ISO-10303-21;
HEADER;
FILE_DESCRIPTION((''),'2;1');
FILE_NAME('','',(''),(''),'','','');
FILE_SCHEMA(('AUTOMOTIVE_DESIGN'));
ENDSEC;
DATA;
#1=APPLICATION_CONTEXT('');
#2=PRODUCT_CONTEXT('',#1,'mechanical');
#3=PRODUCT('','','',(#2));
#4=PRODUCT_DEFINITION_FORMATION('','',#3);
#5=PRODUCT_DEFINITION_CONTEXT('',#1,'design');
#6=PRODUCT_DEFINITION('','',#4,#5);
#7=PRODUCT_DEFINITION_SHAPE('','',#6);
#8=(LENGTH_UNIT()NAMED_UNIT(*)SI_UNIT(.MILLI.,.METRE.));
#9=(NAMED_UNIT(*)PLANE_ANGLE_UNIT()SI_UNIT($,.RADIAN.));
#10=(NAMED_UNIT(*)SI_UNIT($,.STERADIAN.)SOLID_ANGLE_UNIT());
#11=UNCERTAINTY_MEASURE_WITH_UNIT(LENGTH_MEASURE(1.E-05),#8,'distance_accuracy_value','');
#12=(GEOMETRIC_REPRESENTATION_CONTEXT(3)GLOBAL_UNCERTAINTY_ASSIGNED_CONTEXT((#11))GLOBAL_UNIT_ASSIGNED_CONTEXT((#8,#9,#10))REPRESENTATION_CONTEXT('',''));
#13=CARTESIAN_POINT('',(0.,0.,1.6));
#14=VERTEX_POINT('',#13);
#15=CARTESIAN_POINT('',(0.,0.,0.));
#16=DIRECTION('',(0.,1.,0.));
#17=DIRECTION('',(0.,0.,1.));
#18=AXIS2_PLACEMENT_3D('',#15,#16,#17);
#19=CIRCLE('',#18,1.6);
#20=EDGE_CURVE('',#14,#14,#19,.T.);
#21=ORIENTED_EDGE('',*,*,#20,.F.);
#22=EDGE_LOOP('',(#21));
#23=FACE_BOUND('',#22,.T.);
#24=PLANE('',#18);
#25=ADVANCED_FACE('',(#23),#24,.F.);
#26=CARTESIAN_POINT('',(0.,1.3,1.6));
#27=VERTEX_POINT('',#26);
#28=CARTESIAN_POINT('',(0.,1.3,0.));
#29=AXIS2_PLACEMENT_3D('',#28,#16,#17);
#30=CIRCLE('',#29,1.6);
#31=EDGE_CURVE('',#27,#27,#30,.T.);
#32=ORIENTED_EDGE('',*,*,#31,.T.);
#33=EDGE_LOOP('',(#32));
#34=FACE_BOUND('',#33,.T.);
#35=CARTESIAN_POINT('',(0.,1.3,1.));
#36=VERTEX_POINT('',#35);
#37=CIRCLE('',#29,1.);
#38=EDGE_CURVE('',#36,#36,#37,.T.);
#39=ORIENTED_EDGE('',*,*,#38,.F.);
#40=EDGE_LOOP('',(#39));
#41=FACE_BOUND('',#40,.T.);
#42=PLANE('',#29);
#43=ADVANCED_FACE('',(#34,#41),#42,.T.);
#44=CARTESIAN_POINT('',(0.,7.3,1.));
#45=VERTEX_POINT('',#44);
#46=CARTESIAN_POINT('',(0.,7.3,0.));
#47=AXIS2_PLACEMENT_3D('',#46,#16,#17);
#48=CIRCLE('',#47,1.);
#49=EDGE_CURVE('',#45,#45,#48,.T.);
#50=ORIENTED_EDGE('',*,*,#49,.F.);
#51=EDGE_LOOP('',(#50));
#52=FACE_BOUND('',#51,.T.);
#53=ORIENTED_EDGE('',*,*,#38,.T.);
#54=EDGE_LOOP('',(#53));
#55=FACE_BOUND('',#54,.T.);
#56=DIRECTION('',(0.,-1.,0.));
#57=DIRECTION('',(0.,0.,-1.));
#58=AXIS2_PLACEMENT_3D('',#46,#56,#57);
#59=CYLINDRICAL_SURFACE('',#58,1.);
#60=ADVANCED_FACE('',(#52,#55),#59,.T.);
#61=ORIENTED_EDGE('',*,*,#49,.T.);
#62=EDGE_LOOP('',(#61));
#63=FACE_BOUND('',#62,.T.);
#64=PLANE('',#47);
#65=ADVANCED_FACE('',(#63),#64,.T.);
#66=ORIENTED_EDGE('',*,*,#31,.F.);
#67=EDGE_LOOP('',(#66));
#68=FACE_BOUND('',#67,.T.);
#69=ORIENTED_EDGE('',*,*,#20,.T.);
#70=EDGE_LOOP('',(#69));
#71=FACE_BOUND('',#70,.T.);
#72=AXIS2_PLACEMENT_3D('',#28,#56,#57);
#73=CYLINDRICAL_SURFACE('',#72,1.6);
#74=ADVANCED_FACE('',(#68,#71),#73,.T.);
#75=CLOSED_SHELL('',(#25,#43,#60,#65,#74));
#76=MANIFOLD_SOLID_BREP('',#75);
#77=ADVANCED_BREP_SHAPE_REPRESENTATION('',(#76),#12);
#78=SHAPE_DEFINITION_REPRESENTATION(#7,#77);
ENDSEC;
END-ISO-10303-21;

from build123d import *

# Parameters (mm, degrees)
SKETCH_1_R      = 1.6
EXTRUDE_1_DEPTH = 1.3
EXTRUDE_START   = 1.3
SKETCH_2_R      = 1
EXTRUDE_2_DEPTH = 6


with BuildPart() as part:
    # 草图1 → 凸台-拉伸1 (new body)
    with BuildSketch(Plane(origin=(0, 0, 0), x_dir=(1, 0, 0), z_dir=(0, 1, 0))):
        with Locations(Location((0, 0, 0), (0, 0, 270))):
            Circle(SKETCH_1_R)
    extrude(amount=EXTRUDE_1_DEPTH)

    # 草图2 → 凸台-拉伸2 (add)
    with BuildSketch(Plane(origin=(0, 0, 0), x_dir=(1, 0, 0), z_dir=(0, 1, 0)).offset(EXTRUDE_START)):
        with Locations(Location((0, 0, 0), (0, 0, 270))):
            Circle(SKETCH_2_R)
    extrude(amount=EXTRUDE_2_DEPTH)


solid = part.part
